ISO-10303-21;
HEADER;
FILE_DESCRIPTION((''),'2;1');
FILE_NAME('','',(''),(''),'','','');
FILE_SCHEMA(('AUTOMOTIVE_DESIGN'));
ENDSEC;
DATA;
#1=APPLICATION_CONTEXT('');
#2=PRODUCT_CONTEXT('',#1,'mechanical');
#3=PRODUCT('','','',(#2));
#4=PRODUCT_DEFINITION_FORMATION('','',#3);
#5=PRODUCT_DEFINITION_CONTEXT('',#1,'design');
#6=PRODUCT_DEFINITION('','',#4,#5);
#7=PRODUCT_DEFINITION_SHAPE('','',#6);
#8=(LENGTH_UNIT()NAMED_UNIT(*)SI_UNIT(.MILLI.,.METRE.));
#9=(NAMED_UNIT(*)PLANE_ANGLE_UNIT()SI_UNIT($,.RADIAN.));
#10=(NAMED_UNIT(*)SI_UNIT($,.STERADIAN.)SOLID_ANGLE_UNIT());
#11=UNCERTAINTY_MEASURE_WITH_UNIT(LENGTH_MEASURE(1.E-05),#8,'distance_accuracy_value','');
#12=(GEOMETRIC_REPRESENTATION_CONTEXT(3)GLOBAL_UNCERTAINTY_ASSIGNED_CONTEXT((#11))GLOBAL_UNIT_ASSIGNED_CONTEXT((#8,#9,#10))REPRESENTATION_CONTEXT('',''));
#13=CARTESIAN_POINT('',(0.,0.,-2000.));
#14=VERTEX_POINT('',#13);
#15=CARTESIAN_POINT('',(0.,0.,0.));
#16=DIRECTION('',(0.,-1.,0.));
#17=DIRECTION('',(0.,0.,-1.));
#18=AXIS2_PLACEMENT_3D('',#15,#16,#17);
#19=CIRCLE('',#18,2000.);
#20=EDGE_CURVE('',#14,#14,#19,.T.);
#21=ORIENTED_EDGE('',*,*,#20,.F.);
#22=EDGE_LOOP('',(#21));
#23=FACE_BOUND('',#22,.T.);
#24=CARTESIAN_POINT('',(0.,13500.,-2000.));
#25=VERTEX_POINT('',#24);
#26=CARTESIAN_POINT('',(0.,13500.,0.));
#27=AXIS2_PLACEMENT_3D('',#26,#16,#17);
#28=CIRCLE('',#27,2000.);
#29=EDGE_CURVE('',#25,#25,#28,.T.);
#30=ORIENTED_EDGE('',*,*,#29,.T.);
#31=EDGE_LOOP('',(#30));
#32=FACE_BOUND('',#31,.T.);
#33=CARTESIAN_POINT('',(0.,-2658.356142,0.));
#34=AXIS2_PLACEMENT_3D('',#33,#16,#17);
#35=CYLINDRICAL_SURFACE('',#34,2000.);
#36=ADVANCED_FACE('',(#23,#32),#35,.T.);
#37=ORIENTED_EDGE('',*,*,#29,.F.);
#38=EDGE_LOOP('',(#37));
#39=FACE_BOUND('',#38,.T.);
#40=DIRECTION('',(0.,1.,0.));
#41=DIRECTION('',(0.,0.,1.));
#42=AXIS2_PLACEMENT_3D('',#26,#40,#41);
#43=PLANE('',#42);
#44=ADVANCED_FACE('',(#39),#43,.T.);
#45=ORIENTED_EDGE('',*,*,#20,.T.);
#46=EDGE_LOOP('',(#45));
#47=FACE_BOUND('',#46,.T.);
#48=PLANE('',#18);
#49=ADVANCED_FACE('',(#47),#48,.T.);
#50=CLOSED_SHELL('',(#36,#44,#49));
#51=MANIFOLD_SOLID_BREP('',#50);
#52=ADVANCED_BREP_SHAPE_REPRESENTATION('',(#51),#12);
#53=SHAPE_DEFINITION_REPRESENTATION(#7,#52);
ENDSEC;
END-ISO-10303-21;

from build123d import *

# Parameters (mm, degrees)
SKETCH3_W = 2000
SKETCH3_H = 13500


with BuildPart() as part:
    # Sketch3 → Revolve1 (revolve)
    with BuildSketch(Plane.XY, mode=Mode.PRIVATE) as revolve1_sk:
        with Locations((1000, 6750)):
            Rectangle(SKETCH3_W, SKETCH3_H)
    revolve(revolve1_sk.sketch.rotate(Axis((0, -2658.356142116, 0), (0, 1, 0)), 90), axis=Axis((0, -2658.356142116, 0), (0, 1, 0)))


solid = part.part
